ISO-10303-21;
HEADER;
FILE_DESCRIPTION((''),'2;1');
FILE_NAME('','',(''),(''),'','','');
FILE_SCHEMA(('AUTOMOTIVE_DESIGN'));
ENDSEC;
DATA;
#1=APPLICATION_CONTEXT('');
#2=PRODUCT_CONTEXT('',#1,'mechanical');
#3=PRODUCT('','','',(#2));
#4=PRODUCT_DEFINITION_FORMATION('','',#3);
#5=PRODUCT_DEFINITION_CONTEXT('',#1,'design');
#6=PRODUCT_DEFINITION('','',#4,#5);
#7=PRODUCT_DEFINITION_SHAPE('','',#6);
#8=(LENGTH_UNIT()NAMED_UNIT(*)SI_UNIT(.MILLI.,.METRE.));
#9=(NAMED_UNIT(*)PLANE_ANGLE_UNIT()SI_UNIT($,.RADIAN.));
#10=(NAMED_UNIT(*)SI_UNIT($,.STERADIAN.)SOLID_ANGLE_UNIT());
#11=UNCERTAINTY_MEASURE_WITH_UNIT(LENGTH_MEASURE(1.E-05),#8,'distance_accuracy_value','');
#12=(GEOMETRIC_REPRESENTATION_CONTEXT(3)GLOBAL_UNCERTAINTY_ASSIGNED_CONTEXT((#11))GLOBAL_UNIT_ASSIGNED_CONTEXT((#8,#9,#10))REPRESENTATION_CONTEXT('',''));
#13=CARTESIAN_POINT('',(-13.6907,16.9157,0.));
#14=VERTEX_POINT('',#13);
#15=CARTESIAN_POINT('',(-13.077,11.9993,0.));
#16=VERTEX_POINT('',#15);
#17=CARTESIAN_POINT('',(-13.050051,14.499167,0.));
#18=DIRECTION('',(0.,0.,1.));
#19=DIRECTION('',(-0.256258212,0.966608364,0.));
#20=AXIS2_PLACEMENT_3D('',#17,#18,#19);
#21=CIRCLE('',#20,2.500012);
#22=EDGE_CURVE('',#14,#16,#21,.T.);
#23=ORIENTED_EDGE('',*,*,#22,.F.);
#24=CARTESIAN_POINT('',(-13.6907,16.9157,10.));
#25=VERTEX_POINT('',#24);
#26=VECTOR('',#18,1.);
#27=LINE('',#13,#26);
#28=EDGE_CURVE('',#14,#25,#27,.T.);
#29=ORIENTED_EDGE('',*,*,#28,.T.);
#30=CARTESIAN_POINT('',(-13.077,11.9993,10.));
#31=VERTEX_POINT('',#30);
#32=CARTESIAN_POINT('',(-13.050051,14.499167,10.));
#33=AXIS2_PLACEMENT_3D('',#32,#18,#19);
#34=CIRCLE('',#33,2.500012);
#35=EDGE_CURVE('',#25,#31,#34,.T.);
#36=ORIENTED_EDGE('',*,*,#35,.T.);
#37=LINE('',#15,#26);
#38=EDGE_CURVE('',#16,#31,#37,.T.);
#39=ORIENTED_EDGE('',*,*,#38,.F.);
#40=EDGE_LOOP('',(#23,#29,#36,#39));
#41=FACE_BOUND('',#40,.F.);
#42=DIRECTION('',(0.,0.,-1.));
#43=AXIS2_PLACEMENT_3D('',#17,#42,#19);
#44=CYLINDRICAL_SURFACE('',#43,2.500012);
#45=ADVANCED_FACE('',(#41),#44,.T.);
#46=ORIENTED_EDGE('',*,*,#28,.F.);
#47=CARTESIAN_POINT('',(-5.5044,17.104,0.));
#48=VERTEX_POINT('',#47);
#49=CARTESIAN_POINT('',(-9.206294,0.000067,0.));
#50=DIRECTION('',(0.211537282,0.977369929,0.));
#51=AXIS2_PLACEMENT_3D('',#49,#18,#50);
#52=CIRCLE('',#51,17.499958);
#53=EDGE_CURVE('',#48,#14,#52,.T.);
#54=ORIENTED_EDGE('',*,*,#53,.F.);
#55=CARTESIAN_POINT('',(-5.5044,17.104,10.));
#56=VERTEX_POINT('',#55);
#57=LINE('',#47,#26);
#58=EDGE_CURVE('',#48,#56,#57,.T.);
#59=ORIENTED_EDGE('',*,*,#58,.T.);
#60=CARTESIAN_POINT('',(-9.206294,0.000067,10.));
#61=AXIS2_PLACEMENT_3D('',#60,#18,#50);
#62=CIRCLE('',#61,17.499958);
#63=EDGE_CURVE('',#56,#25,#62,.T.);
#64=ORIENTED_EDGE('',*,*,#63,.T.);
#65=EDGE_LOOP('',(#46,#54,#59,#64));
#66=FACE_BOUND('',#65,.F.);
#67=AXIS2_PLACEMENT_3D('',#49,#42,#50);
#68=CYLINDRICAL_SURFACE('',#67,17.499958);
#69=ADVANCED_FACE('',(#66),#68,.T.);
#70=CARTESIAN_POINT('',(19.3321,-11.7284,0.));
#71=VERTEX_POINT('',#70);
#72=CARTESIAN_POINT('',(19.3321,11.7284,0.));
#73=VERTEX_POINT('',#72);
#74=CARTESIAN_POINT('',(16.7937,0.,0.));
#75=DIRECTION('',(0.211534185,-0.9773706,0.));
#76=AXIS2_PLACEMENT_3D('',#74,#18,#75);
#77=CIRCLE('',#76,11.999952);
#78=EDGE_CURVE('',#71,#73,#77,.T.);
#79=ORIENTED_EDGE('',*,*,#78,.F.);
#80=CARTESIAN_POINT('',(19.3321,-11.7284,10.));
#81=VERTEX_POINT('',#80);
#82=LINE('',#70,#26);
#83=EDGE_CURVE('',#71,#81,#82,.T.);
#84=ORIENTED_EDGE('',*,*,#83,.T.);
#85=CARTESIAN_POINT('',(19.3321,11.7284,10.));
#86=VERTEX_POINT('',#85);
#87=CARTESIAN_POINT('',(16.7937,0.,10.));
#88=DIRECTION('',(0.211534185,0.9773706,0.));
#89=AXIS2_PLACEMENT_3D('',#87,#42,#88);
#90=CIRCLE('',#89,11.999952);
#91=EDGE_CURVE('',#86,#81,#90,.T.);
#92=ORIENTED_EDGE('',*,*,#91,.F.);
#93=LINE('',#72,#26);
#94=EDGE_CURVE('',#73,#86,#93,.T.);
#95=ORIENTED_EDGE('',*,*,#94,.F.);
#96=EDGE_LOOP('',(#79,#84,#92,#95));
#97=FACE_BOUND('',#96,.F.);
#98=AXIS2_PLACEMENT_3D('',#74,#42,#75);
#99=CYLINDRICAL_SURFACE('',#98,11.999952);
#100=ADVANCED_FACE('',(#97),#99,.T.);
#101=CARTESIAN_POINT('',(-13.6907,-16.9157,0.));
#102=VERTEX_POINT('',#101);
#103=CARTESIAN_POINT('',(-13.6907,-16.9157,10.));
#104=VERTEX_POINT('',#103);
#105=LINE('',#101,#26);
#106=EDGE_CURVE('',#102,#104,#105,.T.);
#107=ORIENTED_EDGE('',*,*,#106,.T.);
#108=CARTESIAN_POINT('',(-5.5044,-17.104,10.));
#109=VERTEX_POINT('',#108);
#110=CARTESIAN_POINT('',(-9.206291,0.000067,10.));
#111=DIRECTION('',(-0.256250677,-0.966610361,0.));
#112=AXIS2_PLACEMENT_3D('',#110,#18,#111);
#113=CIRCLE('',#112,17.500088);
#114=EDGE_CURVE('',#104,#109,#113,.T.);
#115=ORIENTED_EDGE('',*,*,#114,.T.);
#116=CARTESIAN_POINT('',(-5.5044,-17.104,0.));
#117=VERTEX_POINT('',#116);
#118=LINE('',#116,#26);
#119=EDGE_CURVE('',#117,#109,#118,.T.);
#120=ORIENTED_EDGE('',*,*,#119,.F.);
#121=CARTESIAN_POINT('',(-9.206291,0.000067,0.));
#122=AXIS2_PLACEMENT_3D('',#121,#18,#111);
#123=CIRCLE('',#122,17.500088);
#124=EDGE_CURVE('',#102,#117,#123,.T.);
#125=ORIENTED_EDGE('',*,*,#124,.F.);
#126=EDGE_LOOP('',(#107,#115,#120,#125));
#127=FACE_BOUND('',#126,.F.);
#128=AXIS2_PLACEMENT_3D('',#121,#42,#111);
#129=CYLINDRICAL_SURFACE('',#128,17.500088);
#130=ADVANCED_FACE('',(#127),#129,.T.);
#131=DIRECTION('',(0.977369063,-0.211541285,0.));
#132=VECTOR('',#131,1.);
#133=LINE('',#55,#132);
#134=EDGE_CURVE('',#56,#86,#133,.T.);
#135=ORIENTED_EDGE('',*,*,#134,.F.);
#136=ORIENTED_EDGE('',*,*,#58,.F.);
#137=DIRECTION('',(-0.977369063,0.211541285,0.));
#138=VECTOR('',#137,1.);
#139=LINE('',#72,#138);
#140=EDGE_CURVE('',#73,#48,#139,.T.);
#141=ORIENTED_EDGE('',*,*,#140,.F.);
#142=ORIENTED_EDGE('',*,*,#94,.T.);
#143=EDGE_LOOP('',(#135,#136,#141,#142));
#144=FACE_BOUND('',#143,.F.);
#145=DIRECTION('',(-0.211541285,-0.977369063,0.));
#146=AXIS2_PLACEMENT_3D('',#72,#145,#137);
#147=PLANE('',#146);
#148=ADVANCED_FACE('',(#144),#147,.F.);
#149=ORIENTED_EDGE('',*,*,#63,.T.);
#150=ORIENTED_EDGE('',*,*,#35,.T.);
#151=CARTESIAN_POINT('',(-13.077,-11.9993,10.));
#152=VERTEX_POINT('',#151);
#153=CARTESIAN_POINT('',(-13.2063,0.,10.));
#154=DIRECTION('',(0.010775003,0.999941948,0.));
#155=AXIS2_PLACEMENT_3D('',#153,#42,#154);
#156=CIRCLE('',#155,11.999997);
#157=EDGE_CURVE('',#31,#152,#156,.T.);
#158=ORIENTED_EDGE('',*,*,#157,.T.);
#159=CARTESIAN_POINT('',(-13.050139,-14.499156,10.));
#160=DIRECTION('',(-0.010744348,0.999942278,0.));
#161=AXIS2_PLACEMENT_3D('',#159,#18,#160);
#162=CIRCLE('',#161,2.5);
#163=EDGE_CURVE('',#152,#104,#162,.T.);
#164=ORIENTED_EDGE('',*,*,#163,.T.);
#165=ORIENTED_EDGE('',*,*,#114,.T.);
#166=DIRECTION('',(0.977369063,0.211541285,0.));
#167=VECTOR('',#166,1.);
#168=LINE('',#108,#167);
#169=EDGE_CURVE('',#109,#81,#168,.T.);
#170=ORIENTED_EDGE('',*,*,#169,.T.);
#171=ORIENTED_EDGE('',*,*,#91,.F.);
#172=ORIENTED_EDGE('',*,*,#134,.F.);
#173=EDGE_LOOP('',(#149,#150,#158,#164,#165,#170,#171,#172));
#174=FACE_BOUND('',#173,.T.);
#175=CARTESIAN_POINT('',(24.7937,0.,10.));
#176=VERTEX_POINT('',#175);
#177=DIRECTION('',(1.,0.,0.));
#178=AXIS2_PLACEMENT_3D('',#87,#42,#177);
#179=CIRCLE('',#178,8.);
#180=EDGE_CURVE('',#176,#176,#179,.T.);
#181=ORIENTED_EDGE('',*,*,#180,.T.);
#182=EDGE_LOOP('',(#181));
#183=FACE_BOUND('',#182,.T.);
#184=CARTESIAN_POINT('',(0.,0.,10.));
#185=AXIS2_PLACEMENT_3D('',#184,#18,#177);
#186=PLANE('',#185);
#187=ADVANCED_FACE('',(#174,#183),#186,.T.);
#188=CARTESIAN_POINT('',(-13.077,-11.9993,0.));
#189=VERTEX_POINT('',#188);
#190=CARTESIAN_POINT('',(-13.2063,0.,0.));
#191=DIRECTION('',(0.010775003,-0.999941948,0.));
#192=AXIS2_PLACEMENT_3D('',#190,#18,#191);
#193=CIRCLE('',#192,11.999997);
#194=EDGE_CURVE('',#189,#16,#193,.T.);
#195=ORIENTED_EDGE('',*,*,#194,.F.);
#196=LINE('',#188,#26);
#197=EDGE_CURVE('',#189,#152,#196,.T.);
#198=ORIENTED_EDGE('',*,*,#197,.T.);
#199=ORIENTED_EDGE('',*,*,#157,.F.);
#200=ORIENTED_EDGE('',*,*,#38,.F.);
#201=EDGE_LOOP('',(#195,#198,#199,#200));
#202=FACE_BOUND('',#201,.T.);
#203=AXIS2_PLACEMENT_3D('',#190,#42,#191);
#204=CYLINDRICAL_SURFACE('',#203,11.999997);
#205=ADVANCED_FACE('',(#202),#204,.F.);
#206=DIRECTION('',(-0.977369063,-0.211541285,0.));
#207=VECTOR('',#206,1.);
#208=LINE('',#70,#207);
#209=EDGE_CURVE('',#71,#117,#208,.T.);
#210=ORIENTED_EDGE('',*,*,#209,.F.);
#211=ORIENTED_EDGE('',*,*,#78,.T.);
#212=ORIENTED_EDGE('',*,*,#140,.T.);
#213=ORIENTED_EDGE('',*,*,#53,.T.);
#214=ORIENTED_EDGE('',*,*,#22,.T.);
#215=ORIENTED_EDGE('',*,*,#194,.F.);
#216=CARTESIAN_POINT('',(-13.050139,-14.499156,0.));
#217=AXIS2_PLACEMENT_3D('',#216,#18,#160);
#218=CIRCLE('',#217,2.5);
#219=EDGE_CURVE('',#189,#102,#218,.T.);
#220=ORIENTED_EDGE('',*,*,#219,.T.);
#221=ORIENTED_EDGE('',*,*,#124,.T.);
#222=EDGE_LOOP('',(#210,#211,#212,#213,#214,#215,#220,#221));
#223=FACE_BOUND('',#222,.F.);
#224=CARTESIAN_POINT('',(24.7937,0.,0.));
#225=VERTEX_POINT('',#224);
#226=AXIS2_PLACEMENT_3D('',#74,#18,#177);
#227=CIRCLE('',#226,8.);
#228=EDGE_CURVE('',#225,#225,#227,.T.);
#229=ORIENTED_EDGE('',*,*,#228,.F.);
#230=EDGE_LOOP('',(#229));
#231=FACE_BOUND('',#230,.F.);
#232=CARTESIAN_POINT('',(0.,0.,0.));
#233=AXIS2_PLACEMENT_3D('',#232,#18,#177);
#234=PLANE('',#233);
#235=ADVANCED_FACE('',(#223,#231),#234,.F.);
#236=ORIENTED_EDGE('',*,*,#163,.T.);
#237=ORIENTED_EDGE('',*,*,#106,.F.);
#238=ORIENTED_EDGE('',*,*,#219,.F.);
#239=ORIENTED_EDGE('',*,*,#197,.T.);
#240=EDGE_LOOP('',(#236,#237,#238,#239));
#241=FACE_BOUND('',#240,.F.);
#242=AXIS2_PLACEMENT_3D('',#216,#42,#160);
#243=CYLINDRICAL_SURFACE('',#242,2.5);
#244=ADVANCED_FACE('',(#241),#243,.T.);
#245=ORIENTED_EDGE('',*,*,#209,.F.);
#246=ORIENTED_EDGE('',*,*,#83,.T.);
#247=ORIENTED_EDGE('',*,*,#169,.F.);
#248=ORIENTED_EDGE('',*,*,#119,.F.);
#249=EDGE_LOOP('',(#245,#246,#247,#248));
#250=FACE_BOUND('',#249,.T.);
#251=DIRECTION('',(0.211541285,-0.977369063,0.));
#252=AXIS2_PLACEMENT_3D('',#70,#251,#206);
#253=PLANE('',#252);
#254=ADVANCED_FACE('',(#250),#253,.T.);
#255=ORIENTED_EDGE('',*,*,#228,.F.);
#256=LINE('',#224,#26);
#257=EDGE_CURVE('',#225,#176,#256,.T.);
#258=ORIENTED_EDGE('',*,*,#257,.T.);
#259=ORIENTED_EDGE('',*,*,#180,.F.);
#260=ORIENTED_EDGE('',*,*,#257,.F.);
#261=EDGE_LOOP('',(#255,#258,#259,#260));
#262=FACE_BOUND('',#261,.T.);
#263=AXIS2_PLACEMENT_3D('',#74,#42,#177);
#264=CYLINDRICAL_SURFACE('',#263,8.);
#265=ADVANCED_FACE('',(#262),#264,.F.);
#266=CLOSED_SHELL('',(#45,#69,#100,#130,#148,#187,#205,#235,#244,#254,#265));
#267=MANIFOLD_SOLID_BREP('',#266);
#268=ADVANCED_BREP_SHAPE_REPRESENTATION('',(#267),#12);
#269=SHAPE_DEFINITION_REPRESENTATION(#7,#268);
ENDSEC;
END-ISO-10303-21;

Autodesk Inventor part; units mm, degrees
ref_plane "YZ Plane" through (0, 0, 0) normal (1, 0, 0) x (0, 1, 0)
ref_plane "XZ Plane" through (0, 0, 0) normal (0, 1, 0) x (-1, 0, 0)
ref_plane "XY Plane" through (0, 0, 0) normal (0, 0, 1) x (1, 0, 0)
sketch "스케치1" plane through (0, 0, 0) normal (0, 0, 1) x (1, 0, 0)
  line L0 (0, 41.7955) -> (0, -35.3319)
  line L1 (-51.4236, 0) -> (57.1089, 0)
  arc A0 (-13.077, -11.9993) -> (-13.077, 11.9993) centre (-13.2063, 0) ccw
  circle A1 centre (16.7937, 0) radius 8
  line L2 (19.3321, 11.7284) -> (-5.5044, 17.104)
  line L3 (19.3321, -11.7284) -> (-5.5044, -17.104)
  arc A2 (-13.6907, 16.9157) -> (-13.077, 11.9993) centre (-13.0501, 14.4992) ccw
  arc A3 (-13.077, -11.9993) -> (-13.6907, -16.9157) centre (-13.0501, -14.4992) ccw
  arc A4 (19.3321, -11.7284) -> (19.3321, 11.7284) centre (16.7937, 0) ccw
  arc A5 (-5.5044, 17.104) -> (-13.6907, 16.9157) centre (-9.2063, 0) ccw
  arc A6 (-13.6907, -16.9157) -> (-5.5044, -17.104) centre (-9.2063, 0) ccw
  point P0 (0, 0)
  dimension "d1" = 24
  dimension "d4" = 30
  dimension "d8" = 16
  dimension "d9" = 4
  dimension "d10" = 5
  dimension "d11" = 5
extrude "돌출1" add sketch "스케치1" along normal blind 10 contours L2 A4 L1 A1 L0 | L0 L1 A0 A2 A5 L2 | L1 A1 A4 L3 L0 | L0 L3 A6 A3 A0 L1
properties part number "240412_sketch4"
